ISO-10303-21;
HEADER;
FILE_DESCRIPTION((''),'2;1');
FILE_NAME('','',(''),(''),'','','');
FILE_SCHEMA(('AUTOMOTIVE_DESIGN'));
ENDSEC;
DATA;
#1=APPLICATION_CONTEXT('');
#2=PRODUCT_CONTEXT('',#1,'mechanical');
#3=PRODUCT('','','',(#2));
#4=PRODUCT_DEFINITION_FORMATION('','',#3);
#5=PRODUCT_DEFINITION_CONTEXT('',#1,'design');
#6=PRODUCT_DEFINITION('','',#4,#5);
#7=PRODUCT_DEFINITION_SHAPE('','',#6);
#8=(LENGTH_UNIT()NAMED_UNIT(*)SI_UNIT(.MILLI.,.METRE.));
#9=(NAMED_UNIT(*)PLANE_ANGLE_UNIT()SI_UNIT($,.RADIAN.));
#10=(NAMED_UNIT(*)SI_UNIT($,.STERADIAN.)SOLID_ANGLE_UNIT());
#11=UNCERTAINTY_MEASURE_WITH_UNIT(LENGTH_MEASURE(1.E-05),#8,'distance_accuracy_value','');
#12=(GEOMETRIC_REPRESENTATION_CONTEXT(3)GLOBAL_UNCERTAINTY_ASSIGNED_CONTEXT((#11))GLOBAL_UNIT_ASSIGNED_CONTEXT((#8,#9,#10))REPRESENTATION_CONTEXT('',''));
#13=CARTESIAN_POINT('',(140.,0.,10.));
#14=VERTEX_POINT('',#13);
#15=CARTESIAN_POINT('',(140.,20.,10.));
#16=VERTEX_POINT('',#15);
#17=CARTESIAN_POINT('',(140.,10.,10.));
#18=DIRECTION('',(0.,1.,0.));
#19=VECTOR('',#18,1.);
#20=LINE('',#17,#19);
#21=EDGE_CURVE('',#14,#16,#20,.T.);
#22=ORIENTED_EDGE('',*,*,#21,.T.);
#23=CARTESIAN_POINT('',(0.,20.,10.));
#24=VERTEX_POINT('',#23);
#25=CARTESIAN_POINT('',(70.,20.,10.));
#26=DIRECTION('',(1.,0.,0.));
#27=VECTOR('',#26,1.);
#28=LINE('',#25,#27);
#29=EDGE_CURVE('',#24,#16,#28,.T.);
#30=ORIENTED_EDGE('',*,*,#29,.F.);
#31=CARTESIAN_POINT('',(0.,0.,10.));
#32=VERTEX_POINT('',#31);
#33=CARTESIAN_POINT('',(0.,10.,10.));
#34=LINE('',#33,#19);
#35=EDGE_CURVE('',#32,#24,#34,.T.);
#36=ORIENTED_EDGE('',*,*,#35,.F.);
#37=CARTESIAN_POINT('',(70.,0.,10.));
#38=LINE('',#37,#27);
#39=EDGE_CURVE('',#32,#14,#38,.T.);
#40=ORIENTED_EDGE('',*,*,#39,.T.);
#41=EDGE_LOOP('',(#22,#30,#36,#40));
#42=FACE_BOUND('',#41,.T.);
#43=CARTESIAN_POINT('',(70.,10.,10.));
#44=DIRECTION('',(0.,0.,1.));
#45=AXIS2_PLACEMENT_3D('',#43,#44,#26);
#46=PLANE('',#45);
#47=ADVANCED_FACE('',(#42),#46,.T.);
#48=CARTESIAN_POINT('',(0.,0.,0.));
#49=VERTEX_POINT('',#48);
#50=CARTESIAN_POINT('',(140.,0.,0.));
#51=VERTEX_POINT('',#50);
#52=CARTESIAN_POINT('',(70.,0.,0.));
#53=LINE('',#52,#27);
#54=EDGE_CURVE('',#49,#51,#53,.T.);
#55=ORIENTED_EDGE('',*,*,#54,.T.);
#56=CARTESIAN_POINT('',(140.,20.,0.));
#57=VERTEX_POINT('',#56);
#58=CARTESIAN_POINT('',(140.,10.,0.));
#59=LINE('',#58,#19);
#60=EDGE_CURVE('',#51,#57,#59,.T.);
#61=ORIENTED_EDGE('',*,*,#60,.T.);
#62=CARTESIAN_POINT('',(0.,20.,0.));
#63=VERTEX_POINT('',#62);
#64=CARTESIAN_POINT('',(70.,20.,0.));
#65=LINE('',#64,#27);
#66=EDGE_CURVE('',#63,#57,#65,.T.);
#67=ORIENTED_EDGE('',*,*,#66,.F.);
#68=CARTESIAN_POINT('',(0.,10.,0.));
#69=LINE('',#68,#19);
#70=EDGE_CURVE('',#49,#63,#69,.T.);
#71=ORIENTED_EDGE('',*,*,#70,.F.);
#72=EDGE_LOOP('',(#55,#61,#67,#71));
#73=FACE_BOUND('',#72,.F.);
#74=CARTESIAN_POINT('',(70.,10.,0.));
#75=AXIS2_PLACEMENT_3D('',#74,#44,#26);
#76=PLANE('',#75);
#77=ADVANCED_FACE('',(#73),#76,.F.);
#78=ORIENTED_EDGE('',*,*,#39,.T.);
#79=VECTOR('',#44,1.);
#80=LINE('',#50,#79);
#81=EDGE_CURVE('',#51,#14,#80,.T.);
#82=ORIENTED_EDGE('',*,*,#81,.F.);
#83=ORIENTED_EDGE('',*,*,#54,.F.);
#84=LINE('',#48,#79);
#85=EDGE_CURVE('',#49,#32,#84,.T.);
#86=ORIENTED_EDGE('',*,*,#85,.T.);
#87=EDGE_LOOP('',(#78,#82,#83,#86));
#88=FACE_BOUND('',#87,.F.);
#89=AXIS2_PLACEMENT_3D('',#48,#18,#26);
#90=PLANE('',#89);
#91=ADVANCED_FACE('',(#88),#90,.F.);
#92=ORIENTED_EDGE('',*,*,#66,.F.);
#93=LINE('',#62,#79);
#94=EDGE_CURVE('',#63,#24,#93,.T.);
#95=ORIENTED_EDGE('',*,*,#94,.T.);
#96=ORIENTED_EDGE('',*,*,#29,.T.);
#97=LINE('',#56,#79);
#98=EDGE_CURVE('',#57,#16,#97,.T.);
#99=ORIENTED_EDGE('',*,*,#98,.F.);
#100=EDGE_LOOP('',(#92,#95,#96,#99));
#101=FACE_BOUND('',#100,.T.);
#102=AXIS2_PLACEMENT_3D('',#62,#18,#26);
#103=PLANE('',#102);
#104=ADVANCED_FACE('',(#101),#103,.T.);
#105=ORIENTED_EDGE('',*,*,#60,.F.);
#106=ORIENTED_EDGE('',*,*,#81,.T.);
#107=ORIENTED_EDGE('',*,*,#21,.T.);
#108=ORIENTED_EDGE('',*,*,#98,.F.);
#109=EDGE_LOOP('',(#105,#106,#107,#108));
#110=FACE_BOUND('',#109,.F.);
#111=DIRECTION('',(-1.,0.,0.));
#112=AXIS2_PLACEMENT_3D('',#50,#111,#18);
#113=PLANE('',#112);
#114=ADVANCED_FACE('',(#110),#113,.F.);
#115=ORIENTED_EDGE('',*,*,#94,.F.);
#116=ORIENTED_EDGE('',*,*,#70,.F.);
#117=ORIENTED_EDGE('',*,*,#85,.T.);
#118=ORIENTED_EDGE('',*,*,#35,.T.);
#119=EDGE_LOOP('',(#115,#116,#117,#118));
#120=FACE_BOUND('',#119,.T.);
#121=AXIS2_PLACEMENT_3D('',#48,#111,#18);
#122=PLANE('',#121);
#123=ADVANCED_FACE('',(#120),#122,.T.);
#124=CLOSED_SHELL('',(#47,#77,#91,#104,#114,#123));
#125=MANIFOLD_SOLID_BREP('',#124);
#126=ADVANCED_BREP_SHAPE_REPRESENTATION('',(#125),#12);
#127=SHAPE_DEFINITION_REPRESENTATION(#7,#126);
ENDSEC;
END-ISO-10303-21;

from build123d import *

# Parameters (mm, degrees)
BEAM_W     = 140
BEAM_H     = 20
BEAM_DEPTH = 10


with BuildPart() as part:
    # Beam → Beam (new body)
    with BuildSketch(Plane.XY):
        with Locations((70, 10)):
            Rectangle(BEAM_W, BEAM_H)
    extrude(amount=BEAM_DEPTH)


solid = part.part
